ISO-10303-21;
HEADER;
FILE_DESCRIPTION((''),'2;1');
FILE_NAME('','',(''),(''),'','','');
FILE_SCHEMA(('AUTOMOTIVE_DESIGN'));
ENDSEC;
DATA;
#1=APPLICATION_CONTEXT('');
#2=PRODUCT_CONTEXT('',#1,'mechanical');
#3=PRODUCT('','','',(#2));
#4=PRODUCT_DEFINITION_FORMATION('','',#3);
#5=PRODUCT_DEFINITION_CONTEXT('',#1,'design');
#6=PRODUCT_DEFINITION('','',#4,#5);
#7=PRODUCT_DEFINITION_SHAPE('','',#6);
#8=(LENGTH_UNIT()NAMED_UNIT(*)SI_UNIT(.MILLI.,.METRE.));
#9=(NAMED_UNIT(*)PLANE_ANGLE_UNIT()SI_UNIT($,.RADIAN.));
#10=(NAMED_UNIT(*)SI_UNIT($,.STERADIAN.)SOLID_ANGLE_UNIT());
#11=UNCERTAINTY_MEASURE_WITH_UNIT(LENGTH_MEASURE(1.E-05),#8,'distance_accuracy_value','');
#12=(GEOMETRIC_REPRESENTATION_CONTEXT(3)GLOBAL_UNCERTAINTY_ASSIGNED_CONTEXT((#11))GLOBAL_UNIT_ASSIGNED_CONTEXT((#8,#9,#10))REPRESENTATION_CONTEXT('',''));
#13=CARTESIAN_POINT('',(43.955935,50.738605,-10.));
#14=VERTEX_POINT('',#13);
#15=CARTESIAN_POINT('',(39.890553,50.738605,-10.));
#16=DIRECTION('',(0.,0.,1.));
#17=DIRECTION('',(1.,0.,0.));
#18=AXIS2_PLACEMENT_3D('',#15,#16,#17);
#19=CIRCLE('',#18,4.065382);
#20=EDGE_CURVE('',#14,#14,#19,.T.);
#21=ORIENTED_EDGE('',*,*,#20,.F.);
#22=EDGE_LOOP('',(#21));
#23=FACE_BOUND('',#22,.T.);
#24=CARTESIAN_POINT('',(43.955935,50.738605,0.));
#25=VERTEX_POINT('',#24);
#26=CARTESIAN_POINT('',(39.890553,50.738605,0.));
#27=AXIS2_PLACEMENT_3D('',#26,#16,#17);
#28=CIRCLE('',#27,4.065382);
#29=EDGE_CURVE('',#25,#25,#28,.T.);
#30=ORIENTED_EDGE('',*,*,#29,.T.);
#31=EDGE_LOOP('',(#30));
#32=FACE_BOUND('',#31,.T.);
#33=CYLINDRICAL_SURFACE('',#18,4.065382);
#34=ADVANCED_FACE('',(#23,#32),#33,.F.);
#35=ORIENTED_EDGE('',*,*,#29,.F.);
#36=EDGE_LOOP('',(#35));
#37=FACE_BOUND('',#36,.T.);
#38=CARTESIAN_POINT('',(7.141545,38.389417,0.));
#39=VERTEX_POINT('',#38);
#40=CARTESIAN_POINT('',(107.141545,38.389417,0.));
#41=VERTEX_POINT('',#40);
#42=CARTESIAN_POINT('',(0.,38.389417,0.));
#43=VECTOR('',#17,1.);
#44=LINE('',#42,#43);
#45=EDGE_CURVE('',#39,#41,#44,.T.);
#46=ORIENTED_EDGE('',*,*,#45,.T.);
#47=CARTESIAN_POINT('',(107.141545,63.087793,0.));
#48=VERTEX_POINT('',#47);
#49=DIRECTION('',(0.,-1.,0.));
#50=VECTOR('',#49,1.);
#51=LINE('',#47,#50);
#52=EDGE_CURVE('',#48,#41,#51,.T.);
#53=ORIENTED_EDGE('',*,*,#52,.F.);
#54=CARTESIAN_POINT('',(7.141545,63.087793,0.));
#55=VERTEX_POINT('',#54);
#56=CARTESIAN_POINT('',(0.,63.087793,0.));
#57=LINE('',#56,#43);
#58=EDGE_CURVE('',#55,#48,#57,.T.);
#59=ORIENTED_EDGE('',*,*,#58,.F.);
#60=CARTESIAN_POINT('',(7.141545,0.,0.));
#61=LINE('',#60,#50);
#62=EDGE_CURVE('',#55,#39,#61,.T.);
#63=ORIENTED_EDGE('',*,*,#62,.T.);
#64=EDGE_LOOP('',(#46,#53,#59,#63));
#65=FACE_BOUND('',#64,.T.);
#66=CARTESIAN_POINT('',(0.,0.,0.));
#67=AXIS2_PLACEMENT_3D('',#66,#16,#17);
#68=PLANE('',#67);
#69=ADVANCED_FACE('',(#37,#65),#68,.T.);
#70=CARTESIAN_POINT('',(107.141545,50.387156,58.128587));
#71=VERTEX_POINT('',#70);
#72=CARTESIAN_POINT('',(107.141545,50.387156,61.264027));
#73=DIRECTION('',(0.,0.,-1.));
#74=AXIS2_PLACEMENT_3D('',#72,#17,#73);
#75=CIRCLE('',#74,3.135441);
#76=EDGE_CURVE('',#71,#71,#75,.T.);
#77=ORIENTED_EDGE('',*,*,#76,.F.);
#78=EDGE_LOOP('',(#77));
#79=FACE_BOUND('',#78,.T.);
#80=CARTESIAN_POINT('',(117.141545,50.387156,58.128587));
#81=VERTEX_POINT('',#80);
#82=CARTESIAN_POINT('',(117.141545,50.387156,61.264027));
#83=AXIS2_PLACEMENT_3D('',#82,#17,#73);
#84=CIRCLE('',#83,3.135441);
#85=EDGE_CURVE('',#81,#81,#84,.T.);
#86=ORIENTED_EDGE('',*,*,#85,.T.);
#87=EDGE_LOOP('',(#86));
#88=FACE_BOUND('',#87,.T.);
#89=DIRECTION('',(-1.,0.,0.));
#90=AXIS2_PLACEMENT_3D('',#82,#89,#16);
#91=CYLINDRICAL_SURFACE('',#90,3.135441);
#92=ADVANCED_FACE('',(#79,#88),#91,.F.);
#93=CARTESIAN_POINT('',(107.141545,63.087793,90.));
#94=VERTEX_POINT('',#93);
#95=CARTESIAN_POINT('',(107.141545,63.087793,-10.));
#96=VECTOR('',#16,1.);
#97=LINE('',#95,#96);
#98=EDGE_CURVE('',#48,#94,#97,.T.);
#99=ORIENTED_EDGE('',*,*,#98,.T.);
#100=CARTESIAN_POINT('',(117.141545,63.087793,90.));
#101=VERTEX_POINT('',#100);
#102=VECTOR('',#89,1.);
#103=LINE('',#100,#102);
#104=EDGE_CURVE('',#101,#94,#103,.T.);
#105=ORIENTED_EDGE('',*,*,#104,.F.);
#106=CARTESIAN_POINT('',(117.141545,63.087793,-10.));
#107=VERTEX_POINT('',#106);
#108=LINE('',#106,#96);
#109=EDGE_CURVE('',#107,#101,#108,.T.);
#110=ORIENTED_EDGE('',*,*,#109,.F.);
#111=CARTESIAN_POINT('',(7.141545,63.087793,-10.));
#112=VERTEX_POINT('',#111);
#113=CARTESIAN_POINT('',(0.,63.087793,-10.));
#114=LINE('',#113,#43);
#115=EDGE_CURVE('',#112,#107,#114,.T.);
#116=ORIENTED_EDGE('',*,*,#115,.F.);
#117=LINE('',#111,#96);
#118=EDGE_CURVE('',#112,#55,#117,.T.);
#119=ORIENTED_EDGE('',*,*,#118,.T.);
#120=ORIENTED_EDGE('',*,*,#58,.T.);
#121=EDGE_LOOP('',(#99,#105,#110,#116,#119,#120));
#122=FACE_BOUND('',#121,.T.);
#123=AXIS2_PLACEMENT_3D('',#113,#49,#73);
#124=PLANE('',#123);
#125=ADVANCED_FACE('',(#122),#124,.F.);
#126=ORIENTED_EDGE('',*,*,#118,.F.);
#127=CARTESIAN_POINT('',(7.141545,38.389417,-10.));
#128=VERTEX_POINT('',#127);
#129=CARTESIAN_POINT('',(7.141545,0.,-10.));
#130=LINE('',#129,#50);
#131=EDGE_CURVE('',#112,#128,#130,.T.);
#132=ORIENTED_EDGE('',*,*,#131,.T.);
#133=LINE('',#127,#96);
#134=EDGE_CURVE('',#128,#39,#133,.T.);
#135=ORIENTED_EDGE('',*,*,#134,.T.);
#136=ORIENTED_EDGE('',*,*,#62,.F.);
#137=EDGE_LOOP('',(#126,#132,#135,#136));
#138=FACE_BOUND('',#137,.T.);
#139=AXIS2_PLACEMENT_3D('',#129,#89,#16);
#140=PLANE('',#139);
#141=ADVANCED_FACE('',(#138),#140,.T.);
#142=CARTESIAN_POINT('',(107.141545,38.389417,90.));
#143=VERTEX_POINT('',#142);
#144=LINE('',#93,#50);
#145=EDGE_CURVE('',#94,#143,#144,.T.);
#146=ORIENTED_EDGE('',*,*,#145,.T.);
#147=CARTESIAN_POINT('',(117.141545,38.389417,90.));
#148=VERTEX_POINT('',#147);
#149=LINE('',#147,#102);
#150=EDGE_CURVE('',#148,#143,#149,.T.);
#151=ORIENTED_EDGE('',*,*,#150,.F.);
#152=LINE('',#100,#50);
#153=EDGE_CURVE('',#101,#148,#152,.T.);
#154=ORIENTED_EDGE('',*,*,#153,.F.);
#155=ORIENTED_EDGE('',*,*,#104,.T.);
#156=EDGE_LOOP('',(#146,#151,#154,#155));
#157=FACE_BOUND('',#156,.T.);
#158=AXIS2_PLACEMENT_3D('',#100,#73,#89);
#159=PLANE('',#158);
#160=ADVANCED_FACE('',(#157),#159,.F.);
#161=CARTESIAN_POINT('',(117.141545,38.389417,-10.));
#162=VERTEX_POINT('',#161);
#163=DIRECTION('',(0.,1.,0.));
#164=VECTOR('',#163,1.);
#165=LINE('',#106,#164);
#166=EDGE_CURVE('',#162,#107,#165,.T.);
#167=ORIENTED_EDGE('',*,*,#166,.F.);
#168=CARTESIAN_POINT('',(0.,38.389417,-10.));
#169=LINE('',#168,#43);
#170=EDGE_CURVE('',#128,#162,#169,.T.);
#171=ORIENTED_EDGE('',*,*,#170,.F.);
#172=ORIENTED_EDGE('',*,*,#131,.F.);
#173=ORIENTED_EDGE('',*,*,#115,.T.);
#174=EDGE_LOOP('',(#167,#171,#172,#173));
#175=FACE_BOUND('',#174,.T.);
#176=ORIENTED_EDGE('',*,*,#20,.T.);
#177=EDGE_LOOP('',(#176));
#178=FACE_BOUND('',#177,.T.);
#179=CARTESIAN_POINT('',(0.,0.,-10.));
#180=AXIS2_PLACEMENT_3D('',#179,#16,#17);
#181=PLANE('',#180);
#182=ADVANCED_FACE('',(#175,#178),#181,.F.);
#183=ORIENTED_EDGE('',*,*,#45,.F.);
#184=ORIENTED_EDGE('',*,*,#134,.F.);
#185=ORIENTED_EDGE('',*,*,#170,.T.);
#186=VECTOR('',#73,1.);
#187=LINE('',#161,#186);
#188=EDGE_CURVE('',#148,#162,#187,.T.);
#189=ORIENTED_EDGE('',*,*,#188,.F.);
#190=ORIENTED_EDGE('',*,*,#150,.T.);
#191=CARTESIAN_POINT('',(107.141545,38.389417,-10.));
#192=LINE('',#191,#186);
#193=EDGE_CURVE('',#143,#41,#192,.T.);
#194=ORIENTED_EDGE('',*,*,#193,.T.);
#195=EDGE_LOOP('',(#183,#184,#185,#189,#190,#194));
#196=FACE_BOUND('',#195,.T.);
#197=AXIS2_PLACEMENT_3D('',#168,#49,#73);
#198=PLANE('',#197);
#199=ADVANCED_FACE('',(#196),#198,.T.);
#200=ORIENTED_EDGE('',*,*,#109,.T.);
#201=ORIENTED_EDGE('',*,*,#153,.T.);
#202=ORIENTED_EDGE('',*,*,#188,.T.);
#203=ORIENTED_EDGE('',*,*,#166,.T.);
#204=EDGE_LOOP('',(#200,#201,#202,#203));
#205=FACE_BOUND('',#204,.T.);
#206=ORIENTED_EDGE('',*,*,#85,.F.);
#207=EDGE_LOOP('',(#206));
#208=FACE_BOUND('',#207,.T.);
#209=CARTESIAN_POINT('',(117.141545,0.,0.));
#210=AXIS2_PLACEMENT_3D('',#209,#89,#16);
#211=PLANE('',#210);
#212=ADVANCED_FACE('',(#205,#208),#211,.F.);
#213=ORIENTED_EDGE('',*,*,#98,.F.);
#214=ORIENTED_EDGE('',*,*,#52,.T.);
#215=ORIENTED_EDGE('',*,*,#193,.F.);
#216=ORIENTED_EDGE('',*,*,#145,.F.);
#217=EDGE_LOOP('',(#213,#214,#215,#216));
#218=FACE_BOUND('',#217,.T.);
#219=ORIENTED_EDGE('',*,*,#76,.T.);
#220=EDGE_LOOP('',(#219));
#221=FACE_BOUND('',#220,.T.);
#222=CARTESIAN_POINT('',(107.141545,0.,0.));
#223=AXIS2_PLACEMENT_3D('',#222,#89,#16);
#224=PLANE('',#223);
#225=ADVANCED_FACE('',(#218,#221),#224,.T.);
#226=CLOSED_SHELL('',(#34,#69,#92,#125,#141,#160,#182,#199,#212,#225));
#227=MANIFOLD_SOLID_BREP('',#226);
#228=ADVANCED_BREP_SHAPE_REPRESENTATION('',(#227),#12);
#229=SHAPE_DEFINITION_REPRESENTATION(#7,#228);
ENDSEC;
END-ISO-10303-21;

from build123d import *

# Parameters (mm, degrees)
SKETCH_1_W      = 65.498017076
SKETCH_1_H      = 24.698375637
SKETCH_1_R      = 4.065381732
EXTRUDE_1_DEPTH = 10
SKETCH_2_W      = 34.501982924
SKETCH_2_H      = 24.698375637
EXTRUDE_2_DEPTH = 10
SKETCH_3_W      = 100
SKETCH_3_H      = 24.698375637
SKETCH_3_R      = 3.135440561
EXTRUDE_3_DEPTH = 10


with BuildPart() as part:
    # 草图1 → 凸台-拉伸1 (new body)
    with BuildSketch(Plane.XY):
        with Locations((39.890553187, 50.738604847)):
            Rectangle(SKETCH_1_W, SKETCH_1_H)
        with Locations((39.890553187, 50.738604847)):
            Circle(SKETCH_1_R, mode=Mode.SUBTRACT)
    extrude(amount=-EXTRUDE_1_DEPTH)

    # 草图2 → 凸台-拉伸2 (add)
    with BuildSketch(Plane(origin=(0, 0, -10), x_dir=(-1, 0, 0), z_dir=(0, 0, -1))):
        with Locations((-89.890553187, 50.738604847)):
            Rectangle(SKETCH_2_W, SKETCH_2_H)
    extrude(amount=-EXTRUDE_2_DEPTH)

    # 草图3 → 凸台-拉伸3 (add)
    with BuildSketch(Plane(origin=(107.141544649, 0, 0), x_dir=(0, 0, -1), z_dir=(1, 0, 0))):
        with Locations((-40, 50.738604847)):
            Rectangle(SKETCH_3_W, SKETCH_3_H)
        with Locations((-61.264027464, 50.387155503)):
            Circle(SKETCH_3_R, mode=Mode.SUBTRACT)
    extrude(amount=EXTRUDE_3_DEPTH)


solid = part.part
